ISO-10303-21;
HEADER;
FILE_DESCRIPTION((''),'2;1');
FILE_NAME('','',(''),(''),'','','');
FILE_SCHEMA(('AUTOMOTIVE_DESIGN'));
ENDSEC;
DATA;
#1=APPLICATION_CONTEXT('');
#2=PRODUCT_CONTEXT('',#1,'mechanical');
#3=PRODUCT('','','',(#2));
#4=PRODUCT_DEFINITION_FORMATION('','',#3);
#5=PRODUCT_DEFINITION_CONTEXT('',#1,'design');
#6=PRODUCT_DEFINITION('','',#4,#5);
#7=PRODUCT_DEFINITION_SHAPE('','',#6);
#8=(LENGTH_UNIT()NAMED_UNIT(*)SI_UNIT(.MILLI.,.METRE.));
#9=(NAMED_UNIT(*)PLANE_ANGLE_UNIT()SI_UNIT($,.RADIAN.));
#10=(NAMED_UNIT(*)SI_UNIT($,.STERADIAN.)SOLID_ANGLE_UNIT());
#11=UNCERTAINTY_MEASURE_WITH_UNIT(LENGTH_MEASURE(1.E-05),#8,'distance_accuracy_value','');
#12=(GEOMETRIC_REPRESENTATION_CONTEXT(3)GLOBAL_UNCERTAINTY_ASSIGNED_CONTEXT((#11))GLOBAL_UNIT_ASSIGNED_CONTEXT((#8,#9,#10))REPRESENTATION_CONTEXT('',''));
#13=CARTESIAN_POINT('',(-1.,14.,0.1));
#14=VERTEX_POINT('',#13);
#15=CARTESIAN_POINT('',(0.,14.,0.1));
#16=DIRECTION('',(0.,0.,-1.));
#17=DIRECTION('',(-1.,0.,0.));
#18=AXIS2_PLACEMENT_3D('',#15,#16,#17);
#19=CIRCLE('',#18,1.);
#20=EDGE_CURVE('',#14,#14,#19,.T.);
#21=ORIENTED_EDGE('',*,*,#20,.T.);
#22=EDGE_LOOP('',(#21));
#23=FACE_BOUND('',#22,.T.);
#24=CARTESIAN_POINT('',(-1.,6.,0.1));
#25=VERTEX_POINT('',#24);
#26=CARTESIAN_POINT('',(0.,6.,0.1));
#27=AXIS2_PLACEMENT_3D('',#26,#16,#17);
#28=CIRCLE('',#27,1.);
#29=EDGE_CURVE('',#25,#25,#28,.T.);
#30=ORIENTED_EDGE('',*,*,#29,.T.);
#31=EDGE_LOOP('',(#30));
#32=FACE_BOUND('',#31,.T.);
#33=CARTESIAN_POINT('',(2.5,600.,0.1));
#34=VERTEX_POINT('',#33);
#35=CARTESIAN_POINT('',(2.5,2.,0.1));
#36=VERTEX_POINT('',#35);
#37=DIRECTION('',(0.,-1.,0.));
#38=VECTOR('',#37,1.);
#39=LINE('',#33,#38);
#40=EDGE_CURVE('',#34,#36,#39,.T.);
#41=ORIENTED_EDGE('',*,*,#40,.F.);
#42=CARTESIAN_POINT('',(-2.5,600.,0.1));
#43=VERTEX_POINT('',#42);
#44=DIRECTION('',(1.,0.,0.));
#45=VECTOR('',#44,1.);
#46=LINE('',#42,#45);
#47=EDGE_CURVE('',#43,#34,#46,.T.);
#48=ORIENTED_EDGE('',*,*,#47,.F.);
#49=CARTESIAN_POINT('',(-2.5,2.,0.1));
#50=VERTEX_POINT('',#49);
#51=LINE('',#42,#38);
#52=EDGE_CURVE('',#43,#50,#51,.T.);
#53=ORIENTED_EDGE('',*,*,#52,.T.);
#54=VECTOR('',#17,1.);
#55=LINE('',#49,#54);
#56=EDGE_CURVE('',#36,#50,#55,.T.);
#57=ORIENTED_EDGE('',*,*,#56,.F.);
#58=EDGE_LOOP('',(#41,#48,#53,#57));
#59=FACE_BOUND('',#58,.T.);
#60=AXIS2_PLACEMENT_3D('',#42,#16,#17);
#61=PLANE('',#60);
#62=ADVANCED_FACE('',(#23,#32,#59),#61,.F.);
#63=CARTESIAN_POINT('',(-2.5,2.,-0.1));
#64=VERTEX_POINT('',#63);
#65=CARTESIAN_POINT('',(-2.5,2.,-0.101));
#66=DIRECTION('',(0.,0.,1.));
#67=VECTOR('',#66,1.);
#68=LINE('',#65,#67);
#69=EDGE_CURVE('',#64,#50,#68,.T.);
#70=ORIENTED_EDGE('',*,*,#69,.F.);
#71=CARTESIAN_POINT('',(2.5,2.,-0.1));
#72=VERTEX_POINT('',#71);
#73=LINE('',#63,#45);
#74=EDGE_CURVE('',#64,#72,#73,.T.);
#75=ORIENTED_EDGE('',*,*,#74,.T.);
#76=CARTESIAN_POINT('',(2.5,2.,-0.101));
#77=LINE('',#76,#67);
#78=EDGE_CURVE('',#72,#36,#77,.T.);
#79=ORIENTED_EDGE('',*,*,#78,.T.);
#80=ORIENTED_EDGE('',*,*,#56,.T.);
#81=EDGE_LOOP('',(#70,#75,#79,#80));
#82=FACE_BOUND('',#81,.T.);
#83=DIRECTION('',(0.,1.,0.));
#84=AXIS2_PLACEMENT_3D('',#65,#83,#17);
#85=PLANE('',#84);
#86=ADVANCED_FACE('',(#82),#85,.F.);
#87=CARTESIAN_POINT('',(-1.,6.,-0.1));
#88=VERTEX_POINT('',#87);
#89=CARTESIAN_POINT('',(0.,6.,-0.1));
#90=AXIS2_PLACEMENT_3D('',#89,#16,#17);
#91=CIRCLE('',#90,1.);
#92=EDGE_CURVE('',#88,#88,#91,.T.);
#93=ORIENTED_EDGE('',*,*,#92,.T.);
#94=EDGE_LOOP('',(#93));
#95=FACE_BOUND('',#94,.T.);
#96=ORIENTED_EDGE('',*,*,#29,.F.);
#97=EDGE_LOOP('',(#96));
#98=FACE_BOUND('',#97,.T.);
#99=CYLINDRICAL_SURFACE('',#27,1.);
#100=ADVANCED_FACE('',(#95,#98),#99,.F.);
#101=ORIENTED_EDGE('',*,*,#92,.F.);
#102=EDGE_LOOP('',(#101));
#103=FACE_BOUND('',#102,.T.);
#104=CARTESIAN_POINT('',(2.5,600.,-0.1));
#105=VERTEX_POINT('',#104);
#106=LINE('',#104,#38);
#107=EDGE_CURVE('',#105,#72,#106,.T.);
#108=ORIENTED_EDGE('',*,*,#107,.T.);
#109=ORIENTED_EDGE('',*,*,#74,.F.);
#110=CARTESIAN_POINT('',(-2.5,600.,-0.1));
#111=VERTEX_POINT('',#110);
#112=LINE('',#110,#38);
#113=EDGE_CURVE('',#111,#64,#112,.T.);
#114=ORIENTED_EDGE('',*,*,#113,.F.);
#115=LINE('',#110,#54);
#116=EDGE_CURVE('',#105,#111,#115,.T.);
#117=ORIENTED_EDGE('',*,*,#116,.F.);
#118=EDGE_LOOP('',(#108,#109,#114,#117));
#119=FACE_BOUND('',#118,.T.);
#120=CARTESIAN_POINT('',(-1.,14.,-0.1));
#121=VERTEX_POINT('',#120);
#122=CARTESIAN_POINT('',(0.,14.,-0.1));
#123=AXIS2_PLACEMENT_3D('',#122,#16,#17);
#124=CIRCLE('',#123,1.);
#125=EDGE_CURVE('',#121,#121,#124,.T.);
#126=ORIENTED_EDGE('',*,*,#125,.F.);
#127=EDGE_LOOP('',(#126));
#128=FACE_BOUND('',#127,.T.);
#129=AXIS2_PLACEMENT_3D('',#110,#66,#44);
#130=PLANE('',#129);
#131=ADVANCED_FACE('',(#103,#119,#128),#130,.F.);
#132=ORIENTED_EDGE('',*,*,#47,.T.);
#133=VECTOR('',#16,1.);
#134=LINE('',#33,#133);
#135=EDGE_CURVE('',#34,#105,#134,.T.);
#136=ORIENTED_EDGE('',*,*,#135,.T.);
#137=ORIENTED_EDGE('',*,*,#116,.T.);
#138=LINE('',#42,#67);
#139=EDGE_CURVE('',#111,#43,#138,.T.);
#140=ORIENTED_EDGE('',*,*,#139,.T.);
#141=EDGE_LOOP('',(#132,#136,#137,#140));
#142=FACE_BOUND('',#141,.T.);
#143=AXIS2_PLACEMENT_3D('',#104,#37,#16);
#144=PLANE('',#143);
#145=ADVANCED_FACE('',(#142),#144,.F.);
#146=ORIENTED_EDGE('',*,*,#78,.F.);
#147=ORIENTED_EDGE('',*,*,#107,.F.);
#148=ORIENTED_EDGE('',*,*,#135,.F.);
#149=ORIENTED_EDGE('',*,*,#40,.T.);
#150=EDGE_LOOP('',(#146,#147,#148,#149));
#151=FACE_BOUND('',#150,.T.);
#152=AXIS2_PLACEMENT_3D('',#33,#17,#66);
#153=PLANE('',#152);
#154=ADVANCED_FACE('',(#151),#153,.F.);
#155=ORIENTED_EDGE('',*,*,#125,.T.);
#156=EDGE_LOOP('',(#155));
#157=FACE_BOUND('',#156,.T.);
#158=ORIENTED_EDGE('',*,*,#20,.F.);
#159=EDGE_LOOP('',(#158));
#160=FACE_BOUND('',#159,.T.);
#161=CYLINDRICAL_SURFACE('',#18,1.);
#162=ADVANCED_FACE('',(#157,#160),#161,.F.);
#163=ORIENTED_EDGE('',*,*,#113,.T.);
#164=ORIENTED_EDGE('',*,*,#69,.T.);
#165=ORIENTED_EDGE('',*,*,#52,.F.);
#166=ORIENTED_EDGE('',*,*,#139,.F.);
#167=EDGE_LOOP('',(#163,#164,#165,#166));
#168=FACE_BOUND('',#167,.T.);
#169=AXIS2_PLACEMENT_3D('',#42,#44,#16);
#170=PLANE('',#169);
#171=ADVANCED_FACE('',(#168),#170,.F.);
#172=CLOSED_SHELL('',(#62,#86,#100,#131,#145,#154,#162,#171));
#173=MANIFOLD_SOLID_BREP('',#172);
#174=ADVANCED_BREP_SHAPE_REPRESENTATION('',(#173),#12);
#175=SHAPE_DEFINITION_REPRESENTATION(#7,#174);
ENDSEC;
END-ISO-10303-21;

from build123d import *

# Parameters (mm, degrees)
SKETCH1_W           = 5
SKETCH1_H           = 0.2
BOSS_EXTRUDE1_DEPTH = 600
SKETCH2_R           = 1
CUT_EXTRUDE1_DEPTH  = 601.005241644
CUT_EXTRUDE2_REACH  = 602.005
SKETCH3_W           = 5
SKETCH3_H           = 2


with BuildPart() as part:
    # Sketch1 → Boss-Extrude1 (new body)
    with BuildSketch(Plane(origin=(0, 0, 0), x_dir=(1, 0, 0), z_dir=(0, 1, 0))):
        Rectangle(SKETCH1_W, SKETCH1_H)
    extrude(amount=BOSS_EXTRUDE1_DEPTH)

    # Sketch2 → Cut-Extrude1 (cut, through all)
    with BuildSketch(Plane(origin=(0, 0, -0.1), x_dir=(-1, 0, 0), z_dir=(0, 0, -1))):
        with Locations((0, 14)):
            Circle(SKETCH2_R)
        with Locations((0, 6)):
            Circle(SKETCH2_R)
    extrude(amount=-CUT_EXTRUDE1_DEPTH, mode=Mode.SUBTRACT)

    # Sketch3 → Cut-Extrude2 (cut, up to next)
    with BuildSketch(Plane.XY.offset(0.1), mode=Mode.PRIVATE) as cut_extrude2_sk1:
        with Locations((0, 1)):
            Rectangle(SKETCH3_W, SKETCH3_H)
    cut_extrude2_tool1 = extrude(cut_extrude2_sk1.sketch, amount=-CUT_EXTRUDE2_REACH, mode=Mode.PRIVATE) & part.part
    add(cut_extrude2_tool1.solids().sort_by_distance((0, 1, 0.1))[0], mode=Mode.SUBTRACT)


solid = part.part
